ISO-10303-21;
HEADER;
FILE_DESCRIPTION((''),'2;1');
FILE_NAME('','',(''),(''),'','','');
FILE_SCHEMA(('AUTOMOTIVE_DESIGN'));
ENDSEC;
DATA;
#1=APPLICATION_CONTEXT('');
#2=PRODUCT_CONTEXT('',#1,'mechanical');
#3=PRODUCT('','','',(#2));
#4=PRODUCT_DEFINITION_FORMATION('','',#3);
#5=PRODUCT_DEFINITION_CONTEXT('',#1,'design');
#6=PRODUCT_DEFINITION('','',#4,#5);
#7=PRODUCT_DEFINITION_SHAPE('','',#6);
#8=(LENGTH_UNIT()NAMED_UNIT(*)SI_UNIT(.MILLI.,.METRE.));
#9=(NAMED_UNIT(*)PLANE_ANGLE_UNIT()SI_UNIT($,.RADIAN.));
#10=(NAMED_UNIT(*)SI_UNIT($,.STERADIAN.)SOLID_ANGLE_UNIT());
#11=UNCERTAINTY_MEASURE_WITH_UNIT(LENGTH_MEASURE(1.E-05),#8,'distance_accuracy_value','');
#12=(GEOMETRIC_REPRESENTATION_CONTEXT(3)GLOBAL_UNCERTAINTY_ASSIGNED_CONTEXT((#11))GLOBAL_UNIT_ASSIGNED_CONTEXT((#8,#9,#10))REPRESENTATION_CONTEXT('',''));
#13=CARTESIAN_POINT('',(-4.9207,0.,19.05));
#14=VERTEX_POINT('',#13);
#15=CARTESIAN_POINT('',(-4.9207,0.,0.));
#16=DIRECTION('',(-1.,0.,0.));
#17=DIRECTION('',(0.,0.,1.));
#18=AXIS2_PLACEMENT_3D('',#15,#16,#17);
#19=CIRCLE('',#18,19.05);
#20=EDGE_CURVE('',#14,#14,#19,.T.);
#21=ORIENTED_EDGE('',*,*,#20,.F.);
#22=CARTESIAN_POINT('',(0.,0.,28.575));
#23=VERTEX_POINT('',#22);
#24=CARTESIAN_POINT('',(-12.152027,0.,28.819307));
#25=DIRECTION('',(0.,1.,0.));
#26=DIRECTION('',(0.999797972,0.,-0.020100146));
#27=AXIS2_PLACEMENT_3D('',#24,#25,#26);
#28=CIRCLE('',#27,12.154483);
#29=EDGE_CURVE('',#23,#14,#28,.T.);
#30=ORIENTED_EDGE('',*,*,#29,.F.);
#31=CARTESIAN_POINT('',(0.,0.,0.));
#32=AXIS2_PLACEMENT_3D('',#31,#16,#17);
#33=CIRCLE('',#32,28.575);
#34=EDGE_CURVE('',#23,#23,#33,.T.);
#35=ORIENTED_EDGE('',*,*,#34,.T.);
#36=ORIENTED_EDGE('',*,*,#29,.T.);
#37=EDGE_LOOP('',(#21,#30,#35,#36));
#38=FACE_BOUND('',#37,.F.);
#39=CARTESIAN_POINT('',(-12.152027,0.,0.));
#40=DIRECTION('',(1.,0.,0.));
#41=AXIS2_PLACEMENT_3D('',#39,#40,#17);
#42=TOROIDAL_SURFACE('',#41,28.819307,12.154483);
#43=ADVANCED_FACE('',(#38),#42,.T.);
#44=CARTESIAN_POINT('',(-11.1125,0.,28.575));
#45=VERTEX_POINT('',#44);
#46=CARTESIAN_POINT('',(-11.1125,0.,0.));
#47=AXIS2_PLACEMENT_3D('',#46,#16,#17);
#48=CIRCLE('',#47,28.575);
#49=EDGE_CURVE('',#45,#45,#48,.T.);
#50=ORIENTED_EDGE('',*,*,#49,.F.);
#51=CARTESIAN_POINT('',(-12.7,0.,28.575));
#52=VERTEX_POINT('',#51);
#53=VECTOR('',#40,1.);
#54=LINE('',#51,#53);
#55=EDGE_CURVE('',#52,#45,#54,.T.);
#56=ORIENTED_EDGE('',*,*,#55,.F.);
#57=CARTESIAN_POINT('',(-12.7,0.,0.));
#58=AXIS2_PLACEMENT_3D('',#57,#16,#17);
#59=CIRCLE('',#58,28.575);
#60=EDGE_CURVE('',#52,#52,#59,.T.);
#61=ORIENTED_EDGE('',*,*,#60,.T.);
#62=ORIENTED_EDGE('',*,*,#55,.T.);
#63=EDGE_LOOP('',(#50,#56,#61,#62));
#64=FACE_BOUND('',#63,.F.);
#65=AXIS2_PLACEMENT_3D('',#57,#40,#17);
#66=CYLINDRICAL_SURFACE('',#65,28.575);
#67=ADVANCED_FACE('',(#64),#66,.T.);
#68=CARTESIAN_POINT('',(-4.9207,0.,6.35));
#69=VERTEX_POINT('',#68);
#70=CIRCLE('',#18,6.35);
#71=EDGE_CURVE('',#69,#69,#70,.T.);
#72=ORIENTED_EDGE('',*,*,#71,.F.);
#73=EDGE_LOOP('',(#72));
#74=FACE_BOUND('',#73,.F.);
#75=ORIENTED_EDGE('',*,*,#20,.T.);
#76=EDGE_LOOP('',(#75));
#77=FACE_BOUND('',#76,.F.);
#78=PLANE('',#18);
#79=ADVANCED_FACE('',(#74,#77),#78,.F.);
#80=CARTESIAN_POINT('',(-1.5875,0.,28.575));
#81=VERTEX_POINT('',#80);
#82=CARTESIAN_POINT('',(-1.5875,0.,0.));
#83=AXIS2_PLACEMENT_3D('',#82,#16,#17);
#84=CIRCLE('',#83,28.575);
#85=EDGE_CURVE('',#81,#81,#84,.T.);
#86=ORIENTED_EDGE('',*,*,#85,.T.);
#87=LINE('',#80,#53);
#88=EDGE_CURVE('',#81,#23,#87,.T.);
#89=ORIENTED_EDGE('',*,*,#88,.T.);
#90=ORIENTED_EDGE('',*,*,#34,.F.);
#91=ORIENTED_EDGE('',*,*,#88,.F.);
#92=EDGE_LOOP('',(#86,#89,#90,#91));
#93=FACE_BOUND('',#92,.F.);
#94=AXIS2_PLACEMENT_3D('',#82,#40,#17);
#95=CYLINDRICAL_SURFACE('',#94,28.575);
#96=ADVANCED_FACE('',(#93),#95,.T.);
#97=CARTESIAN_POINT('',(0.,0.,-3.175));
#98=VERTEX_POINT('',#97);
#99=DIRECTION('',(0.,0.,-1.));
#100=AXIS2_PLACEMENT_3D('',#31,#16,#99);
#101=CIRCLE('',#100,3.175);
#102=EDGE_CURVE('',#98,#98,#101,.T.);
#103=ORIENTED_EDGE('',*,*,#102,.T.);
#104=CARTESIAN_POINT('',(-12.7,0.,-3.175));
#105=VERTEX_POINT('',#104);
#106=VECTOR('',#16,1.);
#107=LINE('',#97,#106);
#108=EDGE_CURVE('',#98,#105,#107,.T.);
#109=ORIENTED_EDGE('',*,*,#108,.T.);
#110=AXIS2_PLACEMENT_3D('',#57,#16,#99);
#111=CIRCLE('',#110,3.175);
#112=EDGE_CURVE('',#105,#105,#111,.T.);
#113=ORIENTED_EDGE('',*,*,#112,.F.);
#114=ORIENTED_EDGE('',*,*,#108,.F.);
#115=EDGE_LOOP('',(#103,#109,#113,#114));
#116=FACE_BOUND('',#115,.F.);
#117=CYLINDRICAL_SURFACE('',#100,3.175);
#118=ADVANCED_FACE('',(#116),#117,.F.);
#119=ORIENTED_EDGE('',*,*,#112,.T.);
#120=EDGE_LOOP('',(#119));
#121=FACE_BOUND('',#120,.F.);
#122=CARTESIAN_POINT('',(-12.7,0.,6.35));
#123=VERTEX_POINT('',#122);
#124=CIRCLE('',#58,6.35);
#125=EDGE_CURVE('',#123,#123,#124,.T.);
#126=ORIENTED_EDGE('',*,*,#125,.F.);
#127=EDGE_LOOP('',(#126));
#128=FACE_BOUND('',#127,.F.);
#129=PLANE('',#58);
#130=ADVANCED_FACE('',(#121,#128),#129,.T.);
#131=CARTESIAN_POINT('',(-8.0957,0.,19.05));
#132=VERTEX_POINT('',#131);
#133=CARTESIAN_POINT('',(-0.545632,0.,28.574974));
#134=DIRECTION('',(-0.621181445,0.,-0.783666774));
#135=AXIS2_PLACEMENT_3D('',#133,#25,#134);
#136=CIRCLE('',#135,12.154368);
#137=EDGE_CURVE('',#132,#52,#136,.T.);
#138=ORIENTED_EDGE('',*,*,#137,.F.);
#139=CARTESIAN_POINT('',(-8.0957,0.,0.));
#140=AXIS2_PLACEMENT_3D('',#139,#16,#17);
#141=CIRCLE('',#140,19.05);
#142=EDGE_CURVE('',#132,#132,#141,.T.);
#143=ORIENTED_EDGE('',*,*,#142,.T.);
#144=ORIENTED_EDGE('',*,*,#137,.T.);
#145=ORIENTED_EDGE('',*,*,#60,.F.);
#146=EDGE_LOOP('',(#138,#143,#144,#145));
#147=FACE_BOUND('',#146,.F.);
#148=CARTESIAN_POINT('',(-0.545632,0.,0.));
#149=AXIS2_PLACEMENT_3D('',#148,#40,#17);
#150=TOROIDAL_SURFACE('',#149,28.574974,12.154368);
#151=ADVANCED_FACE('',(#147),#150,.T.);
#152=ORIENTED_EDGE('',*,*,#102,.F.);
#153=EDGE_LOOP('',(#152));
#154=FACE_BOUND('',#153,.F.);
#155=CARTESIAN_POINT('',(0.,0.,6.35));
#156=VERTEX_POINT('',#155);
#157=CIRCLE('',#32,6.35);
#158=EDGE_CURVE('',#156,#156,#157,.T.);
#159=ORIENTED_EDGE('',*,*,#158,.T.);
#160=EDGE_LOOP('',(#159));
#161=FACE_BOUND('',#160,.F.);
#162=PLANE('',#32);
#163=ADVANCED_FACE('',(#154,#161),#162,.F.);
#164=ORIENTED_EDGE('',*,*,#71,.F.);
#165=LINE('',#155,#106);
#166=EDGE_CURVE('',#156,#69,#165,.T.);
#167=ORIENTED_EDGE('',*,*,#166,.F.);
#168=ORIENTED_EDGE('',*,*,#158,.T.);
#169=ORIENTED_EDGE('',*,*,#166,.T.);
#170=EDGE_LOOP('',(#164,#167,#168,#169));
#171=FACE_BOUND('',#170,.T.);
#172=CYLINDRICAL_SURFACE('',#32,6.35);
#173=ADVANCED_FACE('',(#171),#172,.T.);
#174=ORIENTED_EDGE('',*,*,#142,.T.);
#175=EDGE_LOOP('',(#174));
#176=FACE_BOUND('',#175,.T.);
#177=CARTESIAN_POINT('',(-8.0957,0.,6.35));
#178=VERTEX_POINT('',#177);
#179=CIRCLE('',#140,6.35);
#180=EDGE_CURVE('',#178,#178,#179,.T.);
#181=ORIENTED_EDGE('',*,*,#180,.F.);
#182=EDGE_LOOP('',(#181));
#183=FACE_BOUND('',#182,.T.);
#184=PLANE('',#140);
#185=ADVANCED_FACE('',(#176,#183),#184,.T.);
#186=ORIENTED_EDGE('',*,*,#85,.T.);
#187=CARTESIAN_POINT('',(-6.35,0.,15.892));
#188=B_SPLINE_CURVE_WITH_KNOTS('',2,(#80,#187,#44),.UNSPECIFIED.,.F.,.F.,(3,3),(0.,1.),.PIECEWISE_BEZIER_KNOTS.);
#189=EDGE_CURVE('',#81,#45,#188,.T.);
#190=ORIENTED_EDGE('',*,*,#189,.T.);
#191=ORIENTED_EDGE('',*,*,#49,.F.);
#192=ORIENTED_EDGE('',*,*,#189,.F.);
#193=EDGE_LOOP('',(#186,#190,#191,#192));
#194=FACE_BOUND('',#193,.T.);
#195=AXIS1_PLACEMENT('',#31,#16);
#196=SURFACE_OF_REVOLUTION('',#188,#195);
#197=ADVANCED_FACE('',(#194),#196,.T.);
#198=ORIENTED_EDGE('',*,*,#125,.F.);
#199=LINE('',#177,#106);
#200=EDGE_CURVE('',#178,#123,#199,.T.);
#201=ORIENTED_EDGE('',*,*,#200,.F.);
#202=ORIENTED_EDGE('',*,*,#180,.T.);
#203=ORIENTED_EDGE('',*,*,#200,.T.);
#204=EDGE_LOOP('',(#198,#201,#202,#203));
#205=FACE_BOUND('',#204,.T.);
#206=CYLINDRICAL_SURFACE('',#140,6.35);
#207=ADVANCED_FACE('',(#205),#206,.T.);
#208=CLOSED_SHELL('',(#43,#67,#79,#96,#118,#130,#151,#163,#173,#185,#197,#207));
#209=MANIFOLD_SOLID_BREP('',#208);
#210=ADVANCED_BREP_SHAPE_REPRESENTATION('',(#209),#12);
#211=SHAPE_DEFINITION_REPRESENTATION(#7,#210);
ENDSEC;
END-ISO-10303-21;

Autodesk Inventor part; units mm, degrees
ref_plane "YZ Plane" through (0, 0, 0) normal (1, 0, 0) x (0, 1, 0)
ref_plane "XZ Plane" through (0, 0, 0) normal (0, 1, 0) x (-1, 0, 0)
ref_plane "XY Plane" through (0, 0, 0) normal (0, 0, 1) x (1, 0, 0)
sketch "Sketch1" plane through (0, 0, 0) normal (0, 1, 0) x (-1, 0, 0)
  line L0 (0, 0) -> (12.7, 0)
  line L1 (12.7, 0) -> (12.7, 6.35)
  line L2 (0, 6.35) -> (0, 0)
  spline S0 degree 2 poles (1.5875, 28.575) (6.35, 15.892) (11.1125, 28.575) knots 0 0 0 1 1 1
  line L3 (12.7, 6.35) -> (12.7, 0)
  line L4 (0, 6.35) -> (0, 0)
  line L5 (12.7, 28.575) -> (11.1125, 28.575)
  line L6 (1.5875, 28.575) -> (0, 28.575)
  arc A0 (8.0957, 19.05) -> (12.7, 28.575) centre (0.5456, 28.575) ccw
  arc A1 (0, 28.575) -> (4.9207, 19.05) centre (12.152, 28.8193) ccw
  line L7 (4.9207, 19.05) -> (4.9207, 6.35)
  line L8 (8.0957, 19.05) -> (8.0957, 6.35)
  line L9 (0, 6.35) -> (4.9207, 6.35)
  line L10 (8.0957, 6.35) -> (12.7, 6.35)
  point P0 (6.35, 22.2335)
  dimension "d0" = 12.7
  dimension "d1" = 28.575
  dimension "d7" = 1.5875
  dimension "d8" = 1.5875
  dimension "d12" = 3.175
  dimension "d14" = 6.35
  dimension "d15" = 6.35
revolve "Revolution1" add sketch "Sketch1" angle 360 about axis through (0, 0, 0) along (-1, 0, 0)
sketch "Sketch2" plane through (0, 0, 0) normal (1, 0, 0) x (0, 0, -1)
  circle A0 centre (0, 0) radius 6.35 projected
hole "Hole1" at (0, 0, 0) direction (-1, 0, 0) diameter 6.35 end through all
properties part number "pulley wheel" material "Polyethylene, Low Density"
